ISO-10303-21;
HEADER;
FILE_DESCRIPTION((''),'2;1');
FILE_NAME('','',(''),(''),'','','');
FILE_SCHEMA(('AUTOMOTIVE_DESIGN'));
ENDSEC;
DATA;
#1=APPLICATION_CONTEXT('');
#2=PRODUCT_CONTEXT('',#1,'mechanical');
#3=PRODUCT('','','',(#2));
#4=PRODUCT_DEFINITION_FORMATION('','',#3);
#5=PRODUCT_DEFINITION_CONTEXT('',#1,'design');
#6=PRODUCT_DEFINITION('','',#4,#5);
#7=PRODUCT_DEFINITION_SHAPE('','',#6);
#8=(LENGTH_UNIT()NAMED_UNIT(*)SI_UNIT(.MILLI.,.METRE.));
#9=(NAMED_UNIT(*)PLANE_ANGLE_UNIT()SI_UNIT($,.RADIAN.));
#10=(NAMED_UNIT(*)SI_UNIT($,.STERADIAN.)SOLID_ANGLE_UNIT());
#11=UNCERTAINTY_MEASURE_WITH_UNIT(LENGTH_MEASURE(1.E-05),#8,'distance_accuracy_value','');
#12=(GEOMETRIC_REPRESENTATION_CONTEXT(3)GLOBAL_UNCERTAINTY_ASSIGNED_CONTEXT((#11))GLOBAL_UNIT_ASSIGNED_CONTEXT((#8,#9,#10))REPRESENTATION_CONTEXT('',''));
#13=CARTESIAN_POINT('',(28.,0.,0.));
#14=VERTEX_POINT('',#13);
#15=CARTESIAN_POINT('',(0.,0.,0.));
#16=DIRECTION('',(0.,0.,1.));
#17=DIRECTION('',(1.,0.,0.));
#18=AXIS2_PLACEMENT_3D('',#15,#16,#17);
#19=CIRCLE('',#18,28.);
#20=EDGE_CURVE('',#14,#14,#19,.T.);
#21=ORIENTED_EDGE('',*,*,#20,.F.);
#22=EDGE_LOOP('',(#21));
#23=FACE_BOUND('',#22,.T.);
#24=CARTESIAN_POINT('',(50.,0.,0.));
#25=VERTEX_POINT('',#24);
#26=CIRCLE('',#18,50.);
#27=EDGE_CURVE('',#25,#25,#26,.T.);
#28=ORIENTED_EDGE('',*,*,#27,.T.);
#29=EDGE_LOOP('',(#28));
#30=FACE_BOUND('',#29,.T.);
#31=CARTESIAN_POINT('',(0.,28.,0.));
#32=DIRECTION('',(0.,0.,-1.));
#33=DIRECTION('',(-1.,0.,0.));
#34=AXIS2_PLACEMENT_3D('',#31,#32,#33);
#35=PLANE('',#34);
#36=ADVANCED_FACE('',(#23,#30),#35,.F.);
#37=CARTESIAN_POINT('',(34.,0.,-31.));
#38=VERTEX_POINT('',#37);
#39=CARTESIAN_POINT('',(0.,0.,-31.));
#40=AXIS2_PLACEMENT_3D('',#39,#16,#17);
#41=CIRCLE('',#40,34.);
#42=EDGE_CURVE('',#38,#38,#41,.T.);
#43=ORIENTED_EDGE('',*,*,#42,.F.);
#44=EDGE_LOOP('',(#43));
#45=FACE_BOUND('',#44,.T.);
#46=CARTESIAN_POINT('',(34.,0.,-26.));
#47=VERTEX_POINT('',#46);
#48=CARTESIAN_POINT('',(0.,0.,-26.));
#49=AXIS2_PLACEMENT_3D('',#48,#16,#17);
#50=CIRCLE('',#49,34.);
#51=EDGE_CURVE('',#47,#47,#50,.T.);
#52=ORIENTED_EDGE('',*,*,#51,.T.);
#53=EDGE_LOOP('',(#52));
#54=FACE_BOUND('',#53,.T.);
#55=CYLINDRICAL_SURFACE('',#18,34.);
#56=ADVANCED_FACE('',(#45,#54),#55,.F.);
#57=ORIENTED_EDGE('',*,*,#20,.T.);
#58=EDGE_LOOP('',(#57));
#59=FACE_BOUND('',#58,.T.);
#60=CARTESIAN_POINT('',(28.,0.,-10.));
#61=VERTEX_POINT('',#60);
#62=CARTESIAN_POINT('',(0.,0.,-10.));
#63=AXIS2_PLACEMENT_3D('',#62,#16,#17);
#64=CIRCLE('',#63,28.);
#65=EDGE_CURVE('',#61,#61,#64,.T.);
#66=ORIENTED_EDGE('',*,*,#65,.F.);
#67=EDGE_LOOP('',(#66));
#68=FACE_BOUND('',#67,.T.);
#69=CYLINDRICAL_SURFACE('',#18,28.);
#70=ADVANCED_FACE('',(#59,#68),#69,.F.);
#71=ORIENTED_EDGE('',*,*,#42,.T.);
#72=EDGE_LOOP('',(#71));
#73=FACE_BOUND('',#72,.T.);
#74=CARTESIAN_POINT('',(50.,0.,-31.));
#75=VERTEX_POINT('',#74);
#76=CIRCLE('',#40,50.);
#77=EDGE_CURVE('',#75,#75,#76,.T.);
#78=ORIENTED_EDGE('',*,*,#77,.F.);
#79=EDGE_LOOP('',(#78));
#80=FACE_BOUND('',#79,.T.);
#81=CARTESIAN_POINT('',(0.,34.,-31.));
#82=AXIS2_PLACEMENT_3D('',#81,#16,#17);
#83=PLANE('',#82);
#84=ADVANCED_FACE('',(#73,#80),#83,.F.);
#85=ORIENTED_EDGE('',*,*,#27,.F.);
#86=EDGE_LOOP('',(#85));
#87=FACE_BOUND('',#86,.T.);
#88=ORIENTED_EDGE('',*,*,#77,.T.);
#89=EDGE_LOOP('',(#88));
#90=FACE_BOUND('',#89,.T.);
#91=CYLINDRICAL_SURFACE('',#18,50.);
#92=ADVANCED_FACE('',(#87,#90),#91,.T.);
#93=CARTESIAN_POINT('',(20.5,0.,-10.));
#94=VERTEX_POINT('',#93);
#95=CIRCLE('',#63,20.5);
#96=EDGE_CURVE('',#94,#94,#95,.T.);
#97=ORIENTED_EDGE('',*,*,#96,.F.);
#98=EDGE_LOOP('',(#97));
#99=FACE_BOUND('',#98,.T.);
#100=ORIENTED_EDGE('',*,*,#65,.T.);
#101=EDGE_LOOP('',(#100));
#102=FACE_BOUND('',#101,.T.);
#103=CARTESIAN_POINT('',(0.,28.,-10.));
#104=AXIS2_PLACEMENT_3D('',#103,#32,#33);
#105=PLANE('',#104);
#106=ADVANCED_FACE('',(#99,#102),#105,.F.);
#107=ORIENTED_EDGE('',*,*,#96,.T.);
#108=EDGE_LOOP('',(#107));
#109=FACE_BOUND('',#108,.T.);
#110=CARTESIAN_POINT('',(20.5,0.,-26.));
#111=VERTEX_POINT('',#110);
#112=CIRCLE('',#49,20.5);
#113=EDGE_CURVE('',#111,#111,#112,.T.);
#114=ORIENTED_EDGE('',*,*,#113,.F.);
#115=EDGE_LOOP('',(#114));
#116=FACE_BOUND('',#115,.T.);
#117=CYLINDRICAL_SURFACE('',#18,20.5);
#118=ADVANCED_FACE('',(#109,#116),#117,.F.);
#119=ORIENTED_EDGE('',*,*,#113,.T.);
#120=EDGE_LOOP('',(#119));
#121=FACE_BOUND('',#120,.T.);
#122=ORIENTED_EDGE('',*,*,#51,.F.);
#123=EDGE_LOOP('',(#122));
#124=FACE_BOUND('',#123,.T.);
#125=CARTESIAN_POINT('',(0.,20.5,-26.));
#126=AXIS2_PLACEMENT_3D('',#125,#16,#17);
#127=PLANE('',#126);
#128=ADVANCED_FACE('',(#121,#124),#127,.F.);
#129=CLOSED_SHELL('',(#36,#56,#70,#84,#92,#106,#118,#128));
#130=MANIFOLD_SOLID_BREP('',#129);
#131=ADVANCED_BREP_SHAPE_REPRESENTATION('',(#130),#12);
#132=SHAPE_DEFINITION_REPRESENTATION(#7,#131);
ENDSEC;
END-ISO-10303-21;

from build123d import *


with BuildPart() as part:
    # Sketch1 → Revolve1 (revolve)
    with BuildSketch(Plane(origin=(0, 0, 0), x_dir=(0, 0, -1), z_dir=(1, 0, 0)), mode=Mode.PRIVATE) as revolve1_sk:
        Polygon((31, 34), (31, 50), (0, 50), (0, 28), (10, 28), (10, 20.5), (26, 20.5), (26, 34), align=None)
    revolve(revolve1_sk.sketch.rotate(Axis((0, 0, 0), (0, 0, -1)), 90), axis=Axis((0, 0, 0), (0, 0, -1)))


solid = part.part
